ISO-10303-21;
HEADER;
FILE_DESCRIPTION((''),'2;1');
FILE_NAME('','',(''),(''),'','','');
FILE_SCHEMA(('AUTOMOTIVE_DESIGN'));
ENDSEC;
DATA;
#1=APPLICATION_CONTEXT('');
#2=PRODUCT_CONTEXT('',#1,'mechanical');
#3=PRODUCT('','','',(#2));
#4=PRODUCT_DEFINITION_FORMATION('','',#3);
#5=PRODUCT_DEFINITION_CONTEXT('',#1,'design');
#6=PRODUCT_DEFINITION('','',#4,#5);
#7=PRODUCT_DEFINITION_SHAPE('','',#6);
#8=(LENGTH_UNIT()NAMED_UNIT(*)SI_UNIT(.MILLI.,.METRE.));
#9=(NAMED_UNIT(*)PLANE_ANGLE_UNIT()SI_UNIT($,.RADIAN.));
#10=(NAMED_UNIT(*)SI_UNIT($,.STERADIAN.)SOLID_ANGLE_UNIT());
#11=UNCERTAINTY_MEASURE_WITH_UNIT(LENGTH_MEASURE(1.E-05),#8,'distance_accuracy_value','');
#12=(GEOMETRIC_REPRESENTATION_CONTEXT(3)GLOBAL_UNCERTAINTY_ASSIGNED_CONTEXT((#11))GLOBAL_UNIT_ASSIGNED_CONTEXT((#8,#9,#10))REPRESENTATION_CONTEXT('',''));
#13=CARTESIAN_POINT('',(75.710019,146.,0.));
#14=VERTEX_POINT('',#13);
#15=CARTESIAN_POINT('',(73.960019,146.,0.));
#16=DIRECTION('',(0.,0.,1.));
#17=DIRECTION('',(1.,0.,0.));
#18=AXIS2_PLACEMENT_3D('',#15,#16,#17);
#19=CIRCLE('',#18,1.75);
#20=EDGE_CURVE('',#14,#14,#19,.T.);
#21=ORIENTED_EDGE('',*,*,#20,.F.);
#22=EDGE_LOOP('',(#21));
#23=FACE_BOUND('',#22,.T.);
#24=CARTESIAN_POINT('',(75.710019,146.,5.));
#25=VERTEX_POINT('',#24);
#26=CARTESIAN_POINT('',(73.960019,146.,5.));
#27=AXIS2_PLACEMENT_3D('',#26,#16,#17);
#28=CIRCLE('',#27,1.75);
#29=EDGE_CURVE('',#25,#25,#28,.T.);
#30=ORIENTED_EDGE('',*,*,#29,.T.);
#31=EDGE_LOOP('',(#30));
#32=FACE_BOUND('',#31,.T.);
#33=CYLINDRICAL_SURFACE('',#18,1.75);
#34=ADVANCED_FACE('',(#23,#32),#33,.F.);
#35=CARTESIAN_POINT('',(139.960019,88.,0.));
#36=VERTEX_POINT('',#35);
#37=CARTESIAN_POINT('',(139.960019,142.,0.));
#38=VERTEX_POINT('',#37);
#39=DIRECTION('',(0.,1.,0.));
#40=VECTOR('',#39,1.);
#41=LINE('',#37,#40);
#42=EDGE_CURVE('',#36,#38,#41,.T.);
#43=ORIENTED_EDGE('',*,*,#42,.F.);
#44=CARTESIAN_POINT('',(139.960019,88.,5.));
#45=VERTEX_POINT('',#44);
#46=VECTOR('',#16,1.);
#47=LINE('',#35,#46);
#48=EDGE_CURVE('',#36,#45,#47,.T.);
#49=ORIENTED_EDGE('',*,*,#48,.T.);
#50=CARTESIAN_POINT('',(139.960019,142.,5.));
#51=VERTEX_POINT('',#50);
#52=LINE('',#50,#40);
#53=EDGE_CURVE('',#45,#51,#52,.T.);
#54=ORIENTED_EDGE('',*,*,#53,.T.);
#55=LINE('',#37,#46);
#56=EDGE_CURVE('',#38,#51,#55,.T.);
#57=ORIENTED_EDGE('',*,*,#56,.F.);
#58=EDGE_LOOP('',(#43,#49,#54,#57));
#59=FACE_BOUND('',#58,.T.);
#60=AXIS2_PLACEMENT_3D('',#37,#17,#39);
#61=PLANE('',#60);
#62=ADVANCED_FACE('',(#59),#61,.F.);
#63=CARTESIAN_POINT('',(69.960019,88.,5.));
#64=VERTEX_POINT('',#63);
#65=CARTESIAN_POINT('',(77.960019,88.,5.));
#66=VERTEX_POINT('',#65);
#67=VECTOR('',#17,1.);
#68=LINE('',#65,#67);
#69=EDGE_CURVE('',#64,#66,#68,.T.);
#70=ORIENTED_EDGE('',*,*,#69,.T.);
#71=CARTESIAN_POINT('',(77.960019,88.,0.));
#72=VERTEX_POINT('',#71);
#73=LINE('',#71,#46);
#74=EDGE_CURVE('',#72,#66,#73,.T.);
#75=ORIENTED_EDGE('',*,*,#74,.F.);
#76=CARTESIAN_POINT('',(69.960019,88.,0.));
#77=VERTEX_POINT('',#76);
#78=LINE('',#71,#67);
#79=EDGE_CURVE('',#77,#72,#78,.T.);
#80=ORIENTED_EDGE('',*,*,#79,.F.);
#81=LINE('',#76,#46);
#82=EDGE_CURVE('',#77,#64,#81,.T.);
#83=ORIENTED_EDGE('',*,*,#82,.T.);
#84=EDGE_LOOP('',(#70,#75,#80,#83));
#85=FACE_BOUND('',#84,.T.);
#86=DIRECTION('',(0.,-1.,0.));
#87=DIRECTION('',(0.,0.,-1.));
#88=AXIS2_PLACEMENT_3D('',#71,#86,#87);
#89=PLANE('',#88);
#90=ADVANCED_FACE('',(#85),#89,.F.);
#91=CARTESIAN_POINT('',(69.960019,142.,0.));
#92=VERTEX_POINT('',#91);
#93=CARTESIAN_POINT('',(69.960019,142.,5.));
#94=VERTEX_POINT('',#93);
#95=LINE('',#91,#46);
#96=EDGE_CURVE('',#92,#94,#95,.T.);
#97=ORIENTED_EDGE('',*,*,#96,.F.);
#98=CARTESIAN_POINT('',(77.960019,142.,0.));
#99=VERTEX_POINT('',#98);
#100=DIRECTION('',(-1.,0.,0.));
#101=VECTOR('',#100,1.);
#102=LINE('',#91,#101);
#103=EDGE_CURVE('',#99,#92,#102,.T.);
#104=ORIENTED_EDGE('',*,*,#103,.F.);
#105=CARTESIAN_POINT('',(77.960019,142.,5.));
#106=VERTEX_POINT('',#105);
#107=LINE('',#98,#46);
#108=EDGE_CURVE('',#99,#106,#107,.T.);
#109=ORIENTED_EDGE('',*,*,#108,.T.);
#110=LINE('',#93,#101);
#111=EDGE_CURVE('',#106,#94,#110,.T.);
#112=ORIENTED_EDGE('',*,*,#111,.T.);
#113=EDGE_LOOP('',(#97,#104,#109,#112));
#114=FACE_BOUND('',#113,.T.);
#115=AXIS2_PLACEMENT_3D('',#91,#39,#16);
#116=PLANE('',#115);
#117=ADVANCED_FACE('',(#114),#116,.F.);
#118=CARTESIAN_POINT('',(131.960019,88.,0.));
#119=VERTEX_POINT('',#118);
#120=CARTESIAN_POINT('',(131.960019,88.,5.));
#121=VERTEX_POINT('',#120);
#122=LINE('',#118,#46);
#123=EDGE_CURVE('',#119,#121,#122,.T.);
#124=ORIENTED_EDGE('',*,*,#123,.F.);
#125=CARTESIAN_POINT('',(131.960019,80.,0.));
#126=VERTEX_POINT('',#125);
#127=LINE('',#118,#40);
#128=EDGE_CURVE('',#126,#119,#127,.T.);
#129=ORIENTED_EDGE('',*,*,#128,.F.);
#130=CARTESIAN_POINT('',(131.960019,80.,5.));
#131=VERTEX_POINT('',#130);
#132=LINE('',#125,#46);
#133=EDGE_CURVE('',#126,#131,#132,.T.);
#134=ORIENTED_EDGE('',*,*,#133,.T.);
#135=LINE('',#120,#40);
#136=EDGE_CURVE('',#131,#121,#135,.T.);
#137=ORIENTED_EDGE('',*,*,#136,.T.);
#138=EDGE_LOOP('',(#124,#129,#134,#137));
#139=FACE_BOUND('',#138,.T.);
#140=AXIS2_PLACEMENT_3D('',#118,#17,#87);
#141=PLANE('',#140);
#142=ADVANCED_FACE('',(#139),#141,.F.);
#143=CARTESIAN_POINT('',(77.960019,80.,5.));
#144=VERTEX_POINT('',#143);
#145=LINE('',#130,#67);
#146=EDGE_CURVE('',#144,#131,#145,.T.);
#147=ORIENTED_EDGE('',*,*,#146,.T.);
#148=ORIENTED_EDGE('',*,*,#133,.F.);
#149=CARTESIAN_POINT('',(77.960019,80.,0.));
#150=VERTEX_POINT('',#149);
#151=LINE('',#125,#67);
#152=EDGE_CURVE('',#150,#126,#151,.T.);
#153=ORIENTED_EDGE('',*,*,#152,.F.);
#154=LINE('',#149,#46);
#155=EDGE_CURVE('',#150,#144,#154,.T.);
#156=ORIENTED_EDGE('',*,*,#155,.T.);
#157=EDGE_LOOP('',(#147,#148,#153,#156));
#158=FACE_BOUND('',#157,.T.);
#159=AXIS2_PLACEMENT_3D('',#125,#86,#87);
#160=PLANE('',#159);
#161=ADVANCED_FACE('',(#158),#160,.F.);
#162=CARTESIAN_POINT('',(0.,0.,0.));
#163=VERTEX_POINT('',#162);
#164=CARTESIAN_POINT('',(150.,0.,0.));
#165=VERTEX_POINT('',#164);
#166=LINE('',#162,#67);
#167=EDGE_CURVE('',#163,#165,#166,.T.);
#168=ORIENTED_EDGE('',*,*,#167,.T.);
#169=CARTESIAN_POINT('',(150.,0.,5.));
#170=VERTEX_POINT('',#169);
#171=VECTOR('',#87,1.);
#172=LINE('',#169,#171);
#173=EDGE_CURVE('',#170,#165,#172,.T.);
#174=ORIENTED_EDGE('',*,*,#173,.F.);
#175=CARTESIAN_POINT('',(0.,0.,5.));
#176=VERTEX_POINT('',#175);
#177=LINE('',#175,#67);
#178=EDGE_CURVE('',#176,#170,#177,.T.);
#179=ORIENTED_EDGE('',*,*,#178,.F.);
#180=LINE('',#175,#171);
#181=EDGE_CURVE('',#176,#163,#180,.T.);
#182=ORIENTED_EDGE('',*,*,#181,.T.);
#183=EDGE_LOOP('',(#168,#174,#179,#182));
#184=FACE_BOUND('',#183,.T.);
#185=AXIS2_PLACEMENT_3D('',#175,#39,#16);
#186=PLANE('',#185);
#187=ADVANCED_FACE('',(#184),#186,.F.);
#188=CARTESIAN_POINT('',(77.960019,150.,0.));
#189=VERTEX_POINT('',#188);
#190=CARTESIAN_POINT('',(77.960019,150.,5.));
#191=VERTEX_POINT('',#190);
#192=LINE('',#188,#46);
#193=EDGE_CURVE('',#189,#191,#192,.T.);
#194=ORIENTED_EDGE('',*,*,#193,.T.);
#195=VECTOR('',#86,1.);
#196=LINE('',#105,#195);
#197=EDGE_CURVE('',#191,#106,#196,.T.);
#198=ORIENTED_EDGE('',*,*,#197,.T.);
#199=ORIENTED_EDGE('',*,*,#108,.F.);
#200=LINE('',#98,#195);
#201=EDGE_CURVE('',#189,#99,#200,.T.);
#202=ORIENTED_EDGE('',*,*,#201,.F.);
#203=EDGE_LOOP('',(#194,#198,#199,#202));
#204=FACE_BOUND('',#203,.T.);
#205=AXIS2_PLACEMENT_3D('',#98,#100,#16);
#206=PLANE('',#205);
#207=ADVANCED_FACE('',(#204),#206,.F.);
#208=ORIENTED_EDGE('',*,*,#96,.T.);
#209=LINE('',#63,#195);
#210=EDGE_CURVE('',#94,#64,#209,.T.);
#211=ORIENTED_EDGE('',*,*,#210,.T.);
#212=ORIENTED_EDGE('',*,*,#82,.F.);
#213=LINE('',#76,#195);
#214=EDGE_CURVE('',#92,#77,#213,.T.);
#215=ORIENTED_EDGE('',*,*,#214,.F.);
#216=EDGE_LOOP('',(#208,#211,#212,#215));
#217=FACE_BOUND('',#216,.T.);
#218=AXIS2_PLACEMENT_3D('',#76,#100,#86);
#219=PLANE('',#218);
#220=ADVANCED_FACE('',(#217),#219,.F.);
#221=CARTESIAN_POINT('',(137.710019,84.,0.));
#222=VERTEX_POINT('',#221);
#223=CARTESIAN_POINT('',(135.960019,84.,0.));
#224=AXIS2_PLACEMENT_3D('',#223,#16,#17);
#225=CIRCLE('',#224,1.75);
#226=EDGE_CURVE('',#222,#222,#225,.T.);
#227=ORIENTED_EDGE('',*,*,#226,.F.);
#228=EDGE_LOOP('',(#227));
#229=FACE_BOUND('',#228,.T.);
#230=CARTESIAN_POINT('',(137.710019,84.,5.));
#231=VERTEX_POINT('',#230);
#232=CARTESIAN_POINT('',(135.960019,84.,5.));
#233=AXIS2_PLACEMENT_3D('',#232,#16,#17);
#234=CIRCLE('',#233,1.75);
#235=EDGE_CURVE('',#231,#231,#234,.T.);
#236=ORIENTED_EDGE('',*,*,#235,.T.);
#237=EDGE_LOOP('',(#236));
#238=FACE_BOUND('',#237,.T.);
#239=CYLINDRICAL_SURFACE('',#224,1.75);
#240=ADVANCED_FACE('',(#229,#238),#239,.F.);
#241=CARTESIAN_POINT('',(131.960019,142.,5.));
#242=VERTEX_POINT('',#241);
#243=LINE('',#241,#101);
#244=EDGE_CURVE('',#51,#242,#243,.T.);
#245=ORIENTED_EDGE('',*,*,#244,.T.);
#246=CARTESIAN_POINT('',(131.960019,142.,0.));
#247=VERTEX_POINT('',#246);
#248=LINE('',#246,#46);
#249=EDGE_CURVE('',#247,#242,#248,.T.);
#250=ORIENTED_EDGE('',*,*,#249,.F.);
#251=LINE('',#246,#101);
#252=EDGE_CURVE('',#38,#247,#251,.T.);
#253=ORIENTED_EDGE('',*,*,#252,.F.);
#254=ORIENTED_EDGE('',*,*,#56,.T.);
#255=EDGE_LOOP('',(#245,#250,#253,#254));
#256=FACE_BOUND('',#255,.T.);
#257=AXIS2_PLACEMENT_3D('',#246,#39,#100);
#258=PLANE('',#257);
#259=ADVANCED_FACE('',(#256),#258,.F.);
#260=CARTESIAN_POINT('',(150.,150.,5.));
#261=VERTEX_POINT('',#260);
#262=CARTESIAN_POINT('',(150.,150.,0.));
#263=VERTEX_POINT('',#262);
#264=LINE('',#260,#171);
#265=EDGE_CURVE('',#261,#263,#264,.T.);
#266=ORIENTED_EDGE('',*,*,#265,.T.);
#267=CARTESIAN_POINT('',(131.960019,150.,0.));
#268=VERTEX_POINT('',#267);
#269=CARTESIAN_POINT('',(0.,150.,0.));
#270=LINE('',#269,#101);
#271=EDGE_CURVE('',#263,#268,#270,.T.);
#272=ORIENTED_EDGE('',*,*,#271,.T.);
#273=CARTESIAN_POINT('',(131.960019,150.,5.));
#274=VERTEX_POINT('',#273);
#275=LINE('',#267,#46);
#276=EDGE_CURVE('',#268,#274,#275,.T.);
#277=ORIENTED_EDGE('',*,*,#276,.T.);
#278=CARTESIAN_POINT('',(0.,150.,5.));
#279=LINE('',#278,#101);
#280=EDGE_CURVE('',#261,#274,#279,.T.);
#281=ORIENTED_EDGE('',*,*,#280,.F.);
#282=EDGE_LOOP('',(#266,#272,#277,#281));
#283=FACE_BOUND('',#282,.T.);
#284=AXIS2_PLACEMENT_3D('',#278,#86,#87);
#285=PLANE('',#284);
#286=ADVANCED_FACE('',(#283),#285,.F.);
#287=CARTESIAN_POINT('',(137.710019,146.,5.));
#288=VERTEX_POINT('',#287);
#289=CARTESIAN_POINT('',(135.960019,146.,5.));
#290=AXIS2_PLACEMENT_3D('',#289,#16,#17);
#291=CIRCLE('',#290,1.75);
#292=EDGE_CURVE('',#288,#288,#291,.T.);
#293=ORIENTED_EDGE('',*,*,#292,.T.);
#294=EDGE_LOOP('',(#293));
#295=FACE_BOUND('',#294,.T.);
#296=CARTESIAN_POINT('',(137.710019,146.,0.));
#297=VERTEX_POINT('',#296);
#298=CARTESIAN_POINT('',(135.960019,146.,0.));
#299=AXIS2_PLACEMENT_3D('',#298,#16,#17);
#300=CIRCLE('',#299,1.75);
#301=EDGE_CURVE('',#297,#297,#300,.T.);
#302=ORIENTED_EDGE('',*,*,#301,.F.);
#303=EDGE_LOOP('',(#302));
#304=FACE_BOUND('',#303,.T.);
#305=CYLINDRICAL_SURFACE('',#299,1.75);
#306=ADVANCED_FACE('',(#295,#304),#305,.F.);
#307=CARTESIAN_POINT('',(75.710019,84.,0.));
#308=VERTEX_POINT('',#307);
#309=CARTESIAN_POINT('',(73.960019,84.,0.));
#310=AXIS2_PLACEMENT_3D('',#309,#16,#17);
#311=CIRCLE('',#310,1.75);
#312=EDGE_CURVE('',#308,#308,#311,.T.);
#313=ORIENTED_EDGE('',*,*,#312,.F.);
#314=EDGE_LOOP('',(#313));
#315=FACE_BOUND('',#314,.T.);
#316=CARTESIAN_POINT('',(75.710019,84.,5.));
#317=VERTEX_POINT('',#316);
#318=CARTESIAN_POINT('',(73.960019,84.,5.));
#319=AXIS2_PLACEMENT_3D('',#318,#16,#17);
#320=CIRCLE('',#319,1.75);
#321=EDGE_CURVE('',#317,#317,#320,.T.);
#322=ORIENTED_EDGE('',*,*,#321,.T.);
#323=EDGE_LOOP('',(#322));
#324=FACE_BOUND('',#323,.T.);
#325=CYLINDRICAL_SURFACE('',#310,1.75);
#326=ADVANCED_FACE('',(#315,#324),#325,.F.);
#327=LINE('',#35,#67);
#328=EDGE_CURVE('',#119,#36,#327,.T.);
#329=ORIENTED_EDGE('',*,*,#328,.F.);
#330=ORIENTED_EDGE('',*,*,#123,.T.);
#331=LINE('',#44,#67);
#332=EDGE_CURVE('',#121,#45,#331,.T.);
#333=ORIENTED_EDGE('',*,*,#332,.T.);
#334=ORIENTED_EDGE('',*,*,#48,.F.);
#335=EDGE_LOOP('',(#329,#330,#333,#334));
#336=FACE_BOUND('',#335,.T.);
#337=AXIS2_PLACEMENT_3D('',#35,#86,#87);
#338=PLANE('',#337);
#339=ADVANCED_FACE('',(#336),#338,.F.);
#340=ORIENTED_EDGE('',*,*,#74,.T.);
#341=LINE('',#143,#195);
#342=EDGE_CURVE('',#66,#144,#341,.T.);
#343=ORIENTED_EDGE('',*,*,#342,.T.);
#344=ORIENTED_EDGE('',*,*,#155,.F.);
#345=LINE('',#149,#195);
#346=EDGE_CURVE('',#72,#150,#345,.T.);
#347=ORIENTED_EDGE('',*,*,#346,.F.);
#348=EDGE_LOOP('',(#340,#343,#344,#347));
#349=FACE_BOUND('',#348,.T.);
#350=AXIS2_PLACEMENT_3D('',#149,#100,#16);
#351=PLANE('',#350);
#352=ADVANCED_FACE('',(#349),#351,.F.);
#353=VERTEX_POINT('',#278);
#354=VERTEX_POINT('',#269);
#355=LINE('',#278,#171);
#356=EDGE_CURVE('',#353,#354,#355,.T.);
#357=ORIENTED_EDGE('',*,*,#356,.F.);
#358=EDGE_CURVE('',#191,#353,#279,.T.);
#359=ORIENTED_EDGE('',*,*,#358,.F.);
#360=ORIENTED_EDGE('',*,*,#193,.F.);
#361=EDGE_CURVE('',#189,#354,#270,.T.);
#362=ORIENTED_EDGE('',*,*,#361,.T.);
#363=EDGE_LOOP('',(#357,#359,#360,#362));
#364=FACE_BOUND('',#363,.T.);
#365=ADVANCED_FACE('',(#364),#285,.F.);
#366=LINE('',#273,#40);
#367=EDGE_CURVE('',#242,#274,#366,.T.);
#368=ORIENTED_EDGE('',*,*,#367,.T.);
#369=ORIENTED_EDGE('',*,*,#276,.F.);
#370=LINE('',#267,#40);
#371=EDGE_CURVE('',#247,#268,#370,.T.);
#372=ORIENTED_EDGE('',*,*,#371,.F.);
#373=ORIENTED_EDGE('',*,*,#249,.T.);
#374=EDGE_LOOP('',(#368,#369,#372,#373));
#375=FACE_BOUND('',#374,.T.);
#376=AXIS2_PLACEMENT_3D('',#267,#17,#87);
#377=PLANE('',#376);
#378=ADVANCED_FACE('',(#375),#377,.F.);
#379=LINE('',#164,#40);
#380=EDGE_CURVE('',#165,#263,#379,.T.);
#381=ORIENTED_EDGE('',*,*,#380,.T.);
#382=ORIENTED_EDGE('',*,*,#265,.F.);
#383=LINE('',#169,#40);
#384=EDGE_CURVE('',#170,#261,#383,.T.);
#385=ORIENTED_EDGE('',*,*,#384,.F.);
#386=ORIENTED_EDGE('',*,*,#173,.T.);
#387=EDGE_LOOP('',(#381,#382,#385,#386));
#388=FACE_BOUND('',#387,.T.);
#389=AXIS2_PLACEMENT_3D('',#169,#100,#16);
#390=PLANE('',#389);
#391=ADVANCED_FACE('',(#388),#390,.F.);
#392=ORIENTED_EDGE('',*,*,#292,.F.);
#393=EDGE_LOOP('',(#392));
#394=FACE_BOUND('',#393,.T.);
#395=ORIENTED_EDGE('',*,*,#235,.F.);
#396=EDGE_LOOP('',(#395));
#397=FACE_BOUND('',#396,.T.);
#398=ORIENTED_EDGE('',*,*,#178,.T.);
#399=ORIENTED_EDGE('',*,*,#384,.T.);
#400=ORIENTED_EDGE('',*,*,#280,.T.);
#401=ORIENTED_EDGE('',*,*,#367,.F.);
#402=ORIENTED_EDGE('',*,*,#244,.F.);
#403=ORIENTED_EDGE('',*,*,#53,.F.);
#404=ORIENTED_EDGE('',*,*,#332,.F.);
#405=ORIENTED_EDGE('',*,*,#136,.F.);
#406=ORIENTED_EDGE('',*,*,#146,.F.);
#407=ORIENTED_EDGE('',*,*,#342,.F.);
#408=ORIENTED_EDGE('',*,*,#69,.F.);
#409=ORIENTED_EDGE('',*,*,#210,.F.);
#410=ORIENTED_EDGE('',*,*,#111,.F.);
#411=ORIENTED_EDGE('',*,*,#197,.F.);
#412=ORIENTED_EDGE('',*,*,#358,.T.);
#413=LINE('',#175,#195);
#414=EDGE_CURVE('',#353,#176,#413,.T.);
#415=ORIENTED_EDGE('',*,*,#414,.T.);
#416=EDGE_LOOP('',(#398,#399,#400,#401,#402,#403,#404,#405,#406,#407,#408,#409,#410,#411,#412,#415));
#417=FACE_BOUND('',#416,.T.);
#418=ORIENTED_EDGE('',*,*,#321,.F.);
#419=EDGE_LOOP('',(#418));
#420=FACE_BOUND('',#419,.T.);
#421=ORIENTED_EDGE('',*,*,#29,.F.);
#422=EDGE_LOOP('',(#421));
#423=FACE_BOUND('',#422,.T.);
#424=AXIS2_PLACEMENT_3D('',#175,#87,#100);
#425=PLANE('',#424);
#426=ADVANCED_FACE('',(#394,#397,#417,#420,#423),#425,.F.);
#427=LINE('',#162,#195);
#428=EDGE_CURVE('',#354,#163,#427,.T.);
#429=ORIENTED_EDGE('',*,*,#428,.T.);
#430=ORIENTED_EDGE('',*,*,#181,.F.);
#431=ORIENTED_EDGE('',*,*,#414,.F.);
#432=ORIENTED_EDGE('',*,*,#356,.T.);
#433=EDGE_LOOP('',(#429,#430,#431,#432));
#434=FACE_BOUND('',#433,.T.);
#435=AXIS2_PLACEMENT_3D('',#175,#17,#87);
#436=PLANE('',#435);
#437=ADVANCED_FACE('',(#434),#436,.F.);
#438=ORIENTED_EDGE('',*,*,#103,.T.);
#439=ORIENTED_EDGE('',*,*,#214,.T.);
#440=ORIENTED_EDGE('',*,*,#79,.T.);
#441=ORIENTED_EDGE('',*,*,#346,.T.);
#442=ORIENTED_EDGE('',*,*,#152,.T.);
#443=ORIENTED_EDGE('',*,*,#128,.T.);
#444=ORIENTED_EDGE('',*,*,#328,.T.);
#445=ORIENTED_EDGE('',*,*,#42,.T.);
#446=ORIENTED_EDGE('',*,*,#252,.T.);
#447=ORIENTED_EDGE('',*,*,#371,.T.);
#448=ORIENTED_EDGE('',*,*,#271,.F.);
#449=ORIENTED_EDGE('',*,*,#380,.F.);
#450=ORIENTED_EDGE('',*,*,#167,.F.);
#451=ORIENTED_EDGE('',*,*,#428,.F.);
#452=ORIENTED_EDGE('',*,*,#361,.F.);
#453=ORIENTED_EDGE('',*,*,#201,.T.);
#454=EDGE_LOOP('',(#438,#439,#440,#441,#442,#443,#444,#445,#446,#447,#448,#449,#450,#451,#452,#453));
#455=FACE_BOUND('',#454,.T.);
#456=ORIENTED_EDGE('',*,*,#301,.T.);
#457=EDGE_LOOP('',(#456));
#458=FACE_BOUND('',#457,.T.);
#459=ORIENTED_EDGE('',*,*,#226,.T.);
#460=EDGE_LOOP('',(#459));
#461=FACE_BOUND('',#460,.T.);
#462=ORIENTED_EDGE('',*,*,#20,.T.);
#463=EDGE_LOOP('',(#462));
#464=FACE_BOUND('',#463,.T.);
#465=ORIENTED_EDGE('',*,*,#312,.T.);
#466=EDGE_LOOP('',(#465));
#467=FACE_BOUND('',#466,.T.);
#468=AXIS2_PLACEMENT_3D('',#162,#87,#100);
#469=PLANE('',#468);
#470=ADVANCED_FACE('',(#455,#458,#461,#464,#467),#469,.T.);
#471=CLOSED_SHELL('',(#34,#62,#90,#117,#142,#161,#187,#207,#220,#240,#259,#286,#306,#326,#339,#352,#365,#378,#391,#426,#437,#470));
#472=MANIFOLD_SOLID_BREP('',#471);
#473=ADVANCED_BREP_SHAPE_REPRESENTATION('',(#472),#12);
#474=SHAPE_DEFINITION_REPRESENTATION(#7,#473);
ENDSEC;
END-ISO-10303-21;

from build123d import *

# Parameters (mm, degrees)
SKETCH1_W           = 150
SKETCH1_H           = 150
BOSS_EXTRUDE1_DEPTH = 5
SKETCH2_R           = 1.75
CUT_EXTRUDE1_DEPTH  = 213.190951739


with BuildPart() as part:
    # Sketch1 → Boss-Extrude1 (new body)
    with BuildSketch(Plane.XY):
        with Locations((75, 75)):
            Rectangle(SKETCH1_W, SKETCH1_H)
    extrude(amount=BOSS_EXTRUDE1_DEPTH)

    # Sketch2 → Cut-Extrude1 (cut, through all)
    with BuildSketch(Plane.XY.offset(5)):
        with Locations((73.960018565, 84)):
            Circle(SKETCH2_R)
        with Locations((73.960018565, 146)):
            Circle(SKETCH2_R)
        with Locations((135.960018565, 146)):
            Circle(SKETCH2_R)
        with Locations((135.960018565, 84)):
            Circle(SKETCH2_R)
        Polygon((77.960018565, 150), (131.960018565, 150), (131.960018565, 142), (139.960018565, 142), (139.960018565, 88), (131.960018565, 88), (131.960018565, 80), (77.960018565, 80), (77.960018565, 88), (69.960018565, 88), (69.960018565, 142), (77.960018565, 142), align=None)
    extrude(amount=-CUT_EXTRUDE1_DEPTH, mode=Mode.SUBTRACT)


solid = part.part
